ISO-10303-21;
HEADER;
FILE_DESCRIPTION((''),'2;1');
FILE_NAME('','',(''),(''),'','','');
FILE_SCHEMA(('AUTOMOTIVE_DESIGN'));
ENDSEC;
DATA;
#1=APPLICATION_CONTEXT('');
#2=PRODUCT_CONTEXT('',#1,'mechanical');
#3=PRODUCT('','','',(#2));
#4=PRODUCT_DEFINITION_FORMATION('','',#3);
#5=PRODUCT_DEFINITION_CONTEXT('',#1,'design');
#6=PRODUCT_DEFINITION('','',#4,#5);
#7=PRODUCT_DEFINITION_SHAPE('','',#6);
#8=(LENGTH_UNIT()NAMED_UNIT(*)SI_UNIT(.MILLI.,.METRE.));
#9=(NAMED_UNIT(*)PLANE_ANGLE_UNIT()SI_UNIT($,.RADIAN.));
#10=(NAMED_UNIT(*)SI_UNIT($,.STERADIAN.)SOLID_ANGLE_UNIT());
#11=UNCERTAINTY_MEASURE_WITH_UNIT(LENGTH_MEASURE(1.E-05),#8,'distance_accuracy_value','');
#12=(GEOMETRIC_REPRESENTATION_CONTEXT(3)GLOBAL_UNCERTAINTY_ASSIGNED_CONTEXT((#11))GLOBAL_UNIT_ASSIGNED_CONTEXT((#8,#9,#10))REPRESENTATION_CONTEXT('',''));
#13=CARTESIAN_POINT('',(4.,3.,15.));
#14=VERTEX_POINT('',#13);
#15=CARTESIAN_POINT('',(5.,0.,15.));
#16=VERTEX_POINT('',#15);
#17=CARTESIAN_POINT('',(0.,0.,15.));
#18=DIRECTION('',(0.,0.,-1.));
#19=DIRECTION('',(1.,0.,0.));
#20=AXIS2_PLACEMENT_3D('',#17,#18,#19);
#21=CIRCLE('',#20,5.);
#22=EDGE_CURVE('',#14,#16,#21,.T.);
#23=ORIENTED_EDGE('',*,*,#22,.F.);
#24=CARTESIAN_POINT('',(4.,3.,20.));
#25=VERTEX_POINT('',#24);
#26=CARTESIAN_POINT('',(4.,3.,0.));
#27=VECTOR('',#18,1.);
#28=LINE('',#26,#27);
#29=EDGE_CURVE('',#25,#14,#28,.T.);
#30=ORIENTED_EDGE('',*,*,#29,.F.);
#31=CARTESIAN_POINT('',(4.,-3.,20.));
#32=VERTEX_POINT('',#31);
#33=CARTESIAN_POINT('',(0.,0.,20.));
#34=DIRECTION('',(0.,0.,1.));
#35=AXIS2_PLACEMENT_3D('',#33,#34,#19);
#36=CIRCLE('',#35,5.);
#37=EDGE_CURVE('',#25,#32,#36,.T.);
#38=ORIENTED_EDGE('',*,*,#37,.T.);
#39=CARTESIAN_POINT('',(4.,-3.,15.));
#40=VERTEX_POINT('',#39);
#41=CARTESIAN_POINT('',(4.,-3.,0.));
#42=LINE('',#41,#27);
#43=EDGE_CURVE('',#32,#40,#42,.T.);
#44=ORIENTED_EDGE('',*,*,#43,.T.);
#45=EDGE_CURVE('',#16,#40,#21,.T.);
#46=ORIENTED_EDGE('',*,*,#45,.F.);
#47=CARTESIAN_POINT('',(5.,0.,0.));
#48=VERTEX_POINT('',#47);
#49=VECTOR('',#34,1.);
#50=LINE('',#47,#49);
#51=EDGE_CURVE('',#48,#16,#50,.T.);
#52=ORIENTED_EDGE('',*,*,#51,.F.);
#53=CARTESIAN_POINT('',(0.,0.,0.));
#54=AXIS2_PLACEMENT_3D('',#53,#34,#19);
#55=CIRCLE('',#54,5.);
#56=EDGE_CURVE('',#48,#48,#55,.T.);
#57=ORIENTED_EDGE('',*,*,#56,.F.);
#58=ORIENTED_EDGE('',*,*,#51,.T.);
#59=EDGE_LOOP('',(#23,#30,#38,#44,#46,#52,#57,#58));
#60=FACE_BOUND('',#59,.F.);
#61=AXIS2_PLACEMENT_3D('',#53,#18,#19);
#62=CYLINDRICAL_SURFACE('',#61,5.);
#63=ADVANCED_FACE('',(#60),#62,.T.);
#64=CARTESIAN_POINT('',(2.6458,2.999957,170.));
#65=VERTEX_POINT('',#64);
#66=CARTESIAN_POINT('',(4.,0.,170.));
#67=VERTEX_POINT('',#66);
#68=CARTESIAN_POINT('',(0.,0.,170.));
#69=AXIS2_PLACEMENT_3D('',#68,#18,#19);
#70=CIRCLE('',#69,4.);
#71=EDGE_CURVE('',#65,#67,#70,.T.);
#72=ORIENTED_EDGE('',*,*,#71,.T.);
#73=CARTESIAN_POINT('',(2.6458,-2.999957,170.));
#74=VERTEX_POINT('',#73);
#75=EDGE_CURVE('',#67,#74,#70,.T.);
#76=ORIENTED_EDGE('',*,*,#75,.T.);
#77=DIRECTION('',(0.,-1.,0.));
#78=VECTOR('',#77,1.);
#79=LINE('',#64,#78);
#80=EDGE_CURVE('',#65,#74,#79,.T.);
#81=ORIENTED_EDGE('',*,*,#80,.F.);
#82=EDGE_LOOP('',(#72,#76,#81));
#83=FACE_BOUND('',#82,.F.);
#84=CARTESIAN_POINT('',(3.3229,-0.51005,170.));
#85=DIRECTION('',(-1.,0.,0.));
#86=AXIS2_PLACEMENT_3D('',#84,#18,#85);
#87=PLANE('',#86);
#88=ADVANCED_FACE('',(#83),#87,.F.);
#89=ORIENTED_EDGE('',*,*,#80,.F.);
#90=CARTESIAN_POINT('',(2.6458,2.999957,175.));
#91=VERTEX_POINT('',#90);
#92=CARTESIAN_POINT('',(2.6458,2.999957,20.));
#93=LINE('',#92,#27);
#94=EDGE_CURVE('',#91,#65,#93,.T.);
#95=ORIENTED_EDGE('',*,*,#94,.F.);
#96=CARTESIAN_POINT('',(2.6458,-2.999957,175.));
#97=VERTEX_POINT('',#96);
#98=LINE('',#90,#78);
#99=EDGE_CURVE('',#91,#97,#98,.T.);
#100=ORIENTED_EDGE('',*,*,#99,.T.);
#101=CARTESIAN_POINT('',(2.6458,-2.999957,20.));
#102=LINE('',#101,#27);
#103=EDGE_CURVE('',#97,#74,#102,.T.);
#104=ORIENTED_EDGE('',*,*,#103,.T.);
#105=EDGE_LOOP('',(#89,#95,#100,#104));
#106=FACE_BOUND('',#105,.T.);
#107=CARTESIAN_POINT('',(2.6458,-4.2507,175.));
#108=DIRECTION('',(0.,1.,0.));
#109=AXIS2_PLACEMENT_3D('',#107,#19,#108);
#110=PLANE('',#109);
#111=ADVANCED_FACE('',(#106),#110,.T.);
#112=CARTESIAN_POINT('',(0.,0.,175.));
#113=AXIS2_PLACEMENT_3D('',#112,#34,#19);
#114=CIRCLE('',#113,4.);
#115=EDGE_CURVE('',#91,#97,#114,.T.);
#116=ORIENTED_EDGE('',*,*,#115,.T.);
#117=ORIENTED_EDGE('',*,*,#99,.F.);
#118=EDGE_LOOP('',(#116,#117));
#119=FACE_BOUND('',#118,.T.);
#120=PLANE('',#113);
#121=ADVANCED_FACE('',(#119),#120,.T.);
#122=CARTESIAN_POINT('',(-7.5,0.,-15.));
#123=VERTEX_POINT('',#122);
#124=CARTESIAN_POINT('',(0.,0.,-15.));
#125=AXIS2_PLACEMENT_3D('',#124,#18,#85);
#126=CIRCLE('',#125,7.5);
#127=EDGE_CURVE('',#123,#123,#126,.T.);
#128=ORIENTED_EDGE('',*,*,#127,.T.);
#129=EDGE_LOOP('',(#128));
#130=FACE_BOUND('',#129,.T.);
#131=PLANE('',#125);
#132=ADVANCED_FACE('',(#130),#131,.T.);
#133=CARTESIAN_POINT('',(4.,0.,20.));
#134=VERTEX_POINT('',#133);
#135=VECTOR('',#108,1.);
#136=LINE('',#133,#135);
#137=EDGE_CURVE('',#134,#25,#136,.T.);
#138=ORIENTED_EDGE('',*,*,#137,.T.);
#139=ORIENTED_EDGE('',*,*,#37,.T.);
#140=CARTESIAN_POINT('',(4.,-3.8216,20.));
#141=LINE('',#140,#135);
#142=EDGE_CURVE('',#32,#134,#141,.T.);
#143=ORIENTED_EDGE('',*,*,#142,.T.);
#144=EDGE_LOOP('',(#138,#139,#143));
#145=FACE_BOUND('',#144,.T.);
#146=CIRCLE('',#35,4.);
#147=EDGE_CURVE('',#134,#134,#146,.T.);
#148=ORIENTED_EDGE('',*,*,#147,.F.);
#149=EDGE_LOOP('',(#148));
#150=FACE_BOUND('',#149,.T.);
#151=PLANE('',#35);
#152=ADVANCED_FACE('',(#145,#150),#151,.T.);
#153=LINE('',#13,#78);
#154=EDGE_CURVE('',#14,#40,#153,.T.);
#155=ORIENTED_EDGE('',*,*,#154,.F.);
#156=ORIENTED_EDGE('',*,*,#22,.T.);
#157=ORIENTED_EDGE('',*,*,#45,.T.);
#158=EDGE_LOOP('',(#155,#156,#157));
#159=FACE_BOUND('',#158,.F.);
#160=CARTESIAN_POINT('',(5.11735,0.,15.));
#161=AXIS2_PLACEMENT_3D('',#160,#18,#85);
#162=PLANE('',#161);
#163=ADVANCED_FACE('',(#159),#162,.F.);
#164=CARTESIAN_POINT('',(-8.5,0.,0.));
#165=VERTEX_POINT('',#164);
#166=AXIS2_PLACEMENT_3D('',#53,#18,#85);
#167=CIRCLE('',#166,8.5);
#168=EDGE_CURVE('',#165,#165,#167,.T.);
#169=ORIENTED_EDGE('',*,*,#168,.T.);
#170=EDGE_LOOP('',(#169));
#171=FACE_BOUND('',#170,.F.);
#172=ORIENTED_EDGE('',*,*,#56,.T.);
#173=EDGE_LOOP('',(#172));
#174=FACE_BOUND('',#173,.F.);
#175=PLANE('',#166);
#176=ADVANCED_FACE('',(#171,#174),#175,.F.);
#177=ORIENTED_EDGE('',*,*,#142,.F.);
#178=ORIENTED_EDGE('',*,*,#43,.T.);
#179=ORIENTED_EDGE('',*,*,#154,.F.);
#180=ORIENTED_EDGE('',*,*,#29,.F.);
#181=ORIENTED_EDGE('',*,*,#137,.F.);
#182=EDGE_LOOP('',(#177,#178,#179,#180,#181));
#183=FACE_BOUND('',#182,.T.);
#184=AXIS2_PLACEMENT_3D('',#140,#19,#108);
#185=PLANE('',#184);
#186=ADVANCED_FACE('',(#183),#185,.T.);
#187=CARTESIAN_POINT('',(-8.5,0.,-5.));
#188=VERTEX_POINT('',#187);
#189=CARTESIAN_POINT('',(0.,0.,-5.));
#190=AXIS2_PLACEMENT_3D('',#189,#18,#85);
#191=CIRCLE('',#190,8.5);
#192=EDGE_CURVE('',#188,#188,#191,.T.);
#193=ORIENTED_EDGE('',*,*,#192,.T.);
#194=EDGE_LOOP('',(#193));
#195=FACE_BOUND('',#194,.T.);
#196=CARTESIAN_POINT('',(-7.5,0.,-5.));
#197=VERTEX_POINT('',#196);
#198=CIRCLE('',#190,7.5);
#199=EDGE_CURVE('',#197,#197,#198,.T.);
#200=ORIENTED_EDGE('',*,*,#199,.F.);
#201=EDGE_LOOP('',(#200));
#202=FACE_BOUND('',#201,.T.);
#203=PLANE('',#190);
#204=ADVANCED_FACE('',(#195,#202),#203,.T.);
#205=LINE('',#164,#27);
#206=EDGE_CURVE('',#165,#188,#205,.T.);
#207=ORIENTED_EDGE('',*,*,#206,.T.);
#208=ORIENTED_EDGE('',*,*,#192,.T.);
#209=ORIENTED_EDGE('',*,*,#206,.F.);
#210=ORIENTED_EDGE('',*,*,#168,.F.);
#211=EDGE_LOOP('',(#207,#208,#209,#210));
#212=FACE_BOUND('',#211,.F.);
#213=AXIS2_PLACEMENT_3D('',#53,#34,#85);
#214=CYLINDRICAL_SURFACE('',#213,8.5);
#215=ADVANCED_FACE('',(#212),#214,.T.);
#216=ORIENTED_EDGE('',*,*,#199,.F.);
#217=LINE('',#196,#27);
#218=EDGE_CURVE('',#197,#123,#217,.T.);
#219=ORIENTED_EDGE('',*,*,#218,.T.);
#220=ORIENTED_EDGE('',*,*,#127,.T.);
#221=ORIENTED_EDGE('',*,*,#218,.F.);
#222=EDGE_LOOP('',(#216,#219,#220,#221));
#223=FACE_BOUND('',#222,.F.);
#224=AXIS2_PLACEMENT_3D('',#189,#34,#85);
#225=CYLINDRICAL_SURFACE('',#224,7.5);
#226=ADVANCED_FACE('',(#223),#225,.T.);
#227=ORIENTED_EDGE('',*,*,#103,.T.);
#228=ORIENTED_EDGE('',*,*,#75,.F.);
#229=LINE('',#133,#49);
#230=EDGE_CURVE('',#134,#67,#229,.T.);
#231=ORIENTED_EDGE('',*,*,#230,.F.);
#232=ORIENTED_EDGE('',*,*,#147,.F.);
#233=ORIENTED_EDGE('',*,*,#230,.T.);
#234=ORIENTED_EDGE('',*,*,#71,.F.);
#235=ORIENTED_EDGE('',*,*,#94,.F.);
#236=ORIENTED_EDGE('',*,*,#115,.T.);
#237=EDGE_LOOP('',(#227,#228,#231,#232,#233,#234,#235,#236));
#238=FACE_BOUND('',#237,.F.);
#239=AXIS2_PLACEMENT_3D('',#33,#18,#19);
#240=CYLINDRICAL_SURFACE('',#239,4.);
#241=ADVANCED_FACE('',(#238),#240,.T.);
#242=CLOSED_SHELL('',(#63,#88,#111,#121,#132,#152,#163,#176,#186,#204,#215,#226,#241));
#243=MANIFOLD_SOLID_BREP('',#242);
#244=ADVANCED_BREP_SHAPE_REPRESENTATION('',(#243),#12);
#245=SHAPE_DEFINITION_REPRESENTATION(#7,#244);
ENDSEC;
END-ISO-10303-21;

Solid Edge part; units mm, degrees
sketch "Sketch1" plane through (0, 0, 0) normal (0, 0, 1) x (1, 0, 0)
  circle A0 centre (0, 0) radius 5
extrude "Protrusion1" add sketch "Sketch1" along normal blind 20
sketch "Sketch2" plane through (0, 0, 20) normal (0, 0, 1) x (1, 0, 0)
  circle A0 centre (0, 0) radius 4
extrude "ExtrudedProtrusion_2" add sketch "Sketch2" along normal blind 155
sketch "Sketch3" plane through (0, 0, 20) normal (0, 0, 1) x (0, -1, 0)
  line L0 (-3.8216, 6.2347) -> (3.8216, 6.2347)
  line L1 (3.8216, 6.2347) -> (3.8216, 4)
  line L2 (3.8216, 4) -> (0, 4)
  line L3 (0, 4) -> (-3.8216, 4)
  line L4 (-3.8216, 4) -> (-3.8216, 6.2347)
extrude "ExtrudedCutout_1" cut sketch "Sketch3" against normal blind 5
sketch "Sketch4" plane through (0, 0, 175) normal (0, 0, 1) x (0, -1, 0)
  line L0 (-3.2306, 4) -> (4.2507, 4)
  line L1 (4.2507, 4) -> (4.2507, 2.6458)
  line L2 (4.2507, 2.6458) -> (0, 2.6458)
  line L3 (0, 2.6458) -> (-3.2306, 2.6458)
  line L4 (-3.2306, 2.6458) -> (-3.2306, 4)
extrude "ExtrudedCutout_2" cut sketch "Sketch4" against normal blind 5
sketch "Sketch5" plane through (0, 0, 0) normal (0, 0, -1) x (-1, 0, 0)
  circle A0 centre (0, 0) radius 8.5
extrude "ExtrudedProtrusion_6" add sketch "Sketch5" along normal blind 5
sketch "Sketch6" plane through (0, 0, -5) normal (0, 0, -1) x (-1, 0, 0)
  circle A0 centre (0, 0) radius 7.5
extrude "ExtrudedProtrusion_7" add sketch "Sketch6" along normal blind 10
